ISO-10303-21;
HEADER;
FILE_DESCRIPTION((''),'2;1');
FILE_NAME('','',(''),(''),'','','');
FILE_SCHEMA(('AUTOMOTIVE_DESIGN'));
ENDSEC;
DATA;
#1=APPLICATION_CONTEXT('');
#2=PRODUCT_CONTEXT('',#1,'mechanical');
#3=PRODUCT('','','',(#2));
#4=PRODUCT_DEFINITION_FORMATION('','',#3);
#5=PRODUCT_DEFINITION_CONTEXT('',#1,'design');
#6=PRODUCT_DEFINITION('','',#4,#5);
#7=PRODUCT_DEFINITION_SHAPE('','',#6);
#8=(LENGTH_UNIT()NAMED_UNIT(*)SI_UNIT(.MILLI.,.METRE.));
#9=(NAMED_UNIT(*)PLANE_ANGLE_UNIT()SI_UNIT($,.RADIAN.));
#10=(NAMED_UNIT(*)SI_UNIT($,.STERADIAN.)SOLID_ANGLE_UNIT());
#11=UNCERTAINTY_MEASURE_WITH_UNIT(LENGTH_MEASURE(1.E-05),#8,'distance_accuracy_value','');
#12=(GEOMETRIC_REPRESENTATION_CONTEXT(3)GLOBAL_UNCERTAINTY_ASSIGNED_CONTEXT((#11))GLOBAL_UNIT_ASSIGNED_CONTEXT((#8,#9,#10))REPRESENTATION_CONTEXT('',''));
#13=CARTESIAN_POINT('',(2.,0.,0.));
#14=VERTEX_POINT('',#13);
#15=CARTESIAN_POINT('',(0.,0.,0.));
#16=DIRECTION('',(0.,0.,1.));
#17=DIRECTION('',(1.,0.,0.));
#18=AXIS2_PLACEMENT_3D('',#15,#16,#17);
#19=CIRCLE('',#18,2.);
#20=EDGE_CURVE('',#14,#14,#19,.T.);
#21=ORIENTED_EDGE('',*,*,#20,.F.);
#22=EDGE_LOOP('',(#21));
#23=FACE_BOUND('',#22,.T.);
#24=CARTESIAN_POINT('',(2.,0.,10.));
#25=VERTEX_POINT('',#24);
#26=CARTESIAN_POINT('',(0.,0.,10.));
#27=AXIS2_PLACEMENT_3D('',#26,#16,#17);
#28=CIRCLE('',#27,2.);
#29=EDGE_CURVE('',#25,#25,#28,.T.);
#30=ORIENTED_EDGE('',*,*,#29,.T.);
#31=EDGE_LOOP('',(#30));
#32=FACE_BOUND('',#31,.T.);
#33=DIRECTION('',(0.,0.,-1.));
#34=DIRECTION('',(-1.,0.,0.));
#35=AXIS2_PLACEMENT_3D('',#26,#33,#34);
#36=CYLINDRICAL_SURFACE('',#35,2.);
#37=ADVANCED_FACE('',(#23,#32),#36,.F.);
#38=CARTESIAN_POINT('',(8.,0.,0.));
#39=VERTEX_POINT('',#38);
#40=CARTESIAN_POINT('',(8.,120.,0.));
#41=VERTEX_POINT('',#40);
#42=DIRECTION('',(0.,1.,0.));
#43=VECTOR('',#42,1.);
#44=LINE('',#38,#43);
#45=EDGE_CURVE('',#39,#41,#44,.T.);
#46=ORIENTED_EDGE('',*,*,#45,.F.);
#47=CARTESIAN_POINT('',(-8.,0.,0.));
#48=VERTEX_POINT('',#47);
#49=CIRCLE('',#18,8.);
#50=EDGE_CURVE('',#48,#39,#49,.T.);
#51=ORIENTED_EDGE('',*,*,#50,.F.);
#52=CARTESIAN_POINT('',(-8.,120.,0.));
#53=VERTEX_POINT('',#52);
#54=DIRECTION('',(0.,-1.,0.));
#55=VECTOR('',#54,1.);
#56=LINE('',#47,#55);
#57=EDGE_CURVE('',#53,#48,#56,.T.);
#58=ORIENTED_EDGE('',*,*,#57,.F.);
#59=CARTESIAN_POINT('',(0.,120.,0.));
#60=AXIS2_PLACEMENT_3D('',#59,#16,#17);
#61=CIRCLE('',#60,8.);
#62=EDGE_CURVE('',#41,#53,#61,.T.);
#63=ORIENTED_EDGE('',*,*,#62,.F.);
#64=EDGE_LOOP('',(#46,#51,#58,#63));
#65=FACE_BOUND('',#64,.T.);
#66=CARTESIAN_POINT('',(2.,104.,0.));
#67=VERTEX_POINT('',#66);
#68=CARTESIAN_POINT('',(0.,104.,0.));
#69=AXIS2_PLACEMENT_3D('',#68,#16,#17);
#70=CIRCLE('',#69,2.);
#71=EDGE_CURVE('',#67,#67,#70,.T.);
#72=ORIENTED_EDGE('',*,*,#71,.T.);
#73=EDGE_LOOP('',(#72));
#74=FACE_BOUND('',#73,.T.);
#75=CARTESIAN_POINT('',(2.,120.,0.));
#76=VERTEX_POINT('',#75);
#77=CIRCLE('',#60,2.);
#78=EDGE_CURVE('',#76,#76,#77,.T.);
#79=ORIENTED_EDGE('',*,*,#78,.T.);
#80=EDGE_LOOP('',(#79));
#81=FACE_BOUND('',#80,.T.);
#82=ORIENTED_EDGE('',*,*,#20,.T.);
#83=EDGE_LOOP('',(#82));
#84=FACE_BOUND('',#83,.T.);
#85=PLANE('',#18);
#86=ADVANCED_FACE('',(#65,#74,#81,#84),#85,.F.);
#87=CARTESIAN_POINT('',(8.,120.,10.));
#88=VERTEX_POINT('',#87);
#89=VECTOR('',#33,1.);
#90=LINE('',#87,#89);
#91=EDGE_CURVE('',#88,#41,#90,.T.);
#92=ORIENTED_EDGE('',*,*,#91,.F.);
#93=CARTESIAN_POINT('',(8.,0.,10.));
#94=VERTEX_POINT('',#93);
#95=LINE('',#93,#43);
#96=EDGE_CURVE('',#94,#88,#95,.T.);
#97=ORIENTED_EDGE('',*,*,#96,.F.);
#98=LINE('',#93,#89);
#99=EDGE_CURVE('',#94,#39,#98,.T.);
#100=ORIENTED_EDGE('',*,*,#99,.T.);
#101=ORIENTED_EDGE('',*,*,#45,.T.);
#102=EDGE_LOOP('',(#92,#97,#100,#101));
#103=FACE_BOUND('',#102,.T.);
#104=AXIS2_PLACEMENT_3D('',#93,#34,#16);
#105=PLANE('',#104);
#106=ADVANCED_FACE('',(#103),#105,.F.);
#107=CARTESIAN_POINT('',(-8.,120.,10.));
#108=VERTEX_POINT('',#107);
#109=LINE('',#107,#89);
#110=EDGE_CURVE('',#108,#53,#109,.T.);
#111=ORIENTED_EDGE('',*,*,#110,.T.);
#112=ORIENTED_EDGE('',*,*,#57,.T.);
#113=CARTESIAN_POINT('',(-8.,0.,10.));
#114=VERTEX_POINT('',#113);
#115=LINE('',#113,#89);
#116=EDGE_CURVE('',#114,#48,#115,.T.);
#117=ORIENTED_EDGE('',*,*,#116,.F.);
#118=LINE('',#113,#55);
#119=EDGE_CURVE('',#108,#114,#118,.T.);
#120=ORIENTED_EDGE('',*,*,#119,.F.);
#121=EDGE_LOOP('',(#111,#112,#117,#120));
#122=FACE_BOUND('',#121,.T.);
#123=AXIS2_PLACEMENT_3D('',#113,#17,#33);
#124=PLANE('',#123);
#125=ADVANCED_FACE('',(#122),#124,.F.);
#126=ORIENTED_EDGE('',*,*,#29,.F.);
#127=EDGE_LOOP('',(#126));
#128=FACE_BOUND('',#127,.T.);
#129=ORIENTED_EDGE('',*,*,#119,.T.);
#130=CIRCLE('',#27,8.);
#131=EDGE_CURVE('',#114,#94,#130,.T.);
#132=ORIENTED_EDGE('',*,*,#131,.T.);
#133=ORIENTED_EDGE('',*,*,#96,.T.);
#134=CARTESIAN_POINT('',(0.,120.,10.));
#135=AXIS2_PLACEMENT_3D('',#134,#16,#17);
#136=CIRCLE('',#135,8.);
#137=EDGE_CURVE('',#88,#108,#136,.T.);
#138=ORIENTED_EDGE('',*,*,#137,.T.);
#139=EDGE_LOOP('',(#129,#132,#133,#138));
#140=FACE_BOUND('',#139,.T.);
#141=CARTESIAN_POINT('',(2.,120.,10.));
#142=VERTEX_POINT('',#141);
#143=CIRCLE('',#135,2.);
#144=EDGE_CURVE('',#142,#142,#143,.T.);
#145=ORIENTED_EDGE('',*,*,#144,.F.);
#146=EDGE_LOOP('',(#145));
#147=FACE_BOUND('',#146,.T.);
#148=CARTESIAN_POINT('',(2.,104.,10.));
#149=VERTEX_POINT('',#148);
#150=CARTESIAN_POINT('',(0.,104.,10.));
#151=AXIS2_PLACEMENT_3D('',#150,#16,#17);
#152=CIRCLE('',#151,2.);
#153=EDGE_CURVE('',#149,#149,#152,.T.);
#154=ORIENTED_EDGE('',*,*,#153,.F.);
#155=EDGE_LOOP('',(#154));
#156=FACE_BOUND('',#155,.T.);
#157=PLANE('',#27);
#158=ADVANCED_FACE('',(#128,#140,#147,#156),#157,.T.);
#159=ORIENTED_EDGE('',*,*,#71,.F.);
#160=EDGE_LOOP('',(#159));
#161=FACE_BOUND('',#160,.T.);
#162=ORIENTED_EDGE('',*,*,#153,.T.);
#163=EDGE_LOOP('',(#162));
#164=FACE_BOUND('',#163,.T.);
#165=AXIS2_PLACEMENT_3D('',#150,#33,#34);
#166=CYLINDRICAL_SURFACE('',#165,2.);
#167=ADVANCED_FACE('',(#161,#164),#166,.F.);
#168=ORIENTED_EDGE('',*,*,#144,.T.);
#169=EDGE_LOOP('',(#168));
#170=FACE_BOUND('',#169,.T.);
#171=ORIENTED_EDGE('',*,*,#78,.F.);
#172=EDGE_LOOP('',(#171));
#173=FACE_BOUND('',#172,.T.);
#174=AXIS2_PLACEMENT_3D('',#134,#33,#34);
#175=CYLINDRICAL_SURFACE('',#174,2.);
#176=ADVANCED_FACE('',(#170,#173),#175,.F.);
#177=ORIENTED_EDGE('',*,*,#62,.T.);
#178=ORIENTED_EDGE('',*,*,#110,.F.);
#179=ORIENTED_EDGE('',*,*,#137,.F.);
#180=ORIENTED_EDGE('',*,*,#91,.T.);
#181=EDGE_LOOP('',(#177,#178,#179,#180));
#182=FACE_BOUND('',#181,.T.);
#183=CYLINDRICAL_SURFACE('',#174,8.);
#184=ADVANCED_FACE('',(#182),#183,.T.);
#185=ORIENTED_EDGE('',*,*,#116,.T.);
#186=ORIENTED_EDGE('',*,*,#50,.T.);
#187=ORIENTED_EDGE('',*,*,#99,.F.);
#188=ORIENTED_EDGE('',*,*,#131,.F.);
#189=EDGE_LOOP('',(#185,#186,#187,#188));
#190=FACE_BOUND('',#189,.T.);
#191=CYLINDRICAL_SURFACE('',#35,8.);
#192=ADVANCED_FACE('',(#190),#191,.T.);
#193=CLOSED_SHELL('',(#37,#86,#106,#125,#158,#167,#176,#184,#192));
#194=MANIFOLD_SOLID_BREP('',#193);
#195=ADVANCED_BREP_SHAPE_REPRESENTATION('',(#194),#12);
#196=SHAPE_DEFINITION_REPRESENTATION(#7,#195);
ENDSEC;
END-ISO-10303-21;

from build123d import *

# Parameters (mm, degrees)
ESQUISSE1_R        = 2
BOSS_EXTRU_1_DEPTH = 10


with BuildPart() as part:
    # Esquisse1 → Boss.-Extru.1 (new body)
    with BuildSketch(Plane.XY):
        with BuildLine():
            Line((-8, 0), (-8, 120))
            ThreePointArc((-8, 120), (0, 128), (8, 120))
            Line((8, 120), (8, 0))
            ThreePointArc((8, 0), (0, -8), (-8, 0))
        make_face()
        with Locations((0, 120)):
            Circle(ESQUISSE1_R, mode=Mode.SUBTRACT)
        Circle(ESQUISSE1_R, mode=Mode.SUBTRACT)
        with Locations((0, 104)):
            Circle(ESQUISSE1_R, mode=Mode.SUBTRACT)
    extrude(amount=BOSS_EXTRU_1_DEPTH)


solid = part.part
